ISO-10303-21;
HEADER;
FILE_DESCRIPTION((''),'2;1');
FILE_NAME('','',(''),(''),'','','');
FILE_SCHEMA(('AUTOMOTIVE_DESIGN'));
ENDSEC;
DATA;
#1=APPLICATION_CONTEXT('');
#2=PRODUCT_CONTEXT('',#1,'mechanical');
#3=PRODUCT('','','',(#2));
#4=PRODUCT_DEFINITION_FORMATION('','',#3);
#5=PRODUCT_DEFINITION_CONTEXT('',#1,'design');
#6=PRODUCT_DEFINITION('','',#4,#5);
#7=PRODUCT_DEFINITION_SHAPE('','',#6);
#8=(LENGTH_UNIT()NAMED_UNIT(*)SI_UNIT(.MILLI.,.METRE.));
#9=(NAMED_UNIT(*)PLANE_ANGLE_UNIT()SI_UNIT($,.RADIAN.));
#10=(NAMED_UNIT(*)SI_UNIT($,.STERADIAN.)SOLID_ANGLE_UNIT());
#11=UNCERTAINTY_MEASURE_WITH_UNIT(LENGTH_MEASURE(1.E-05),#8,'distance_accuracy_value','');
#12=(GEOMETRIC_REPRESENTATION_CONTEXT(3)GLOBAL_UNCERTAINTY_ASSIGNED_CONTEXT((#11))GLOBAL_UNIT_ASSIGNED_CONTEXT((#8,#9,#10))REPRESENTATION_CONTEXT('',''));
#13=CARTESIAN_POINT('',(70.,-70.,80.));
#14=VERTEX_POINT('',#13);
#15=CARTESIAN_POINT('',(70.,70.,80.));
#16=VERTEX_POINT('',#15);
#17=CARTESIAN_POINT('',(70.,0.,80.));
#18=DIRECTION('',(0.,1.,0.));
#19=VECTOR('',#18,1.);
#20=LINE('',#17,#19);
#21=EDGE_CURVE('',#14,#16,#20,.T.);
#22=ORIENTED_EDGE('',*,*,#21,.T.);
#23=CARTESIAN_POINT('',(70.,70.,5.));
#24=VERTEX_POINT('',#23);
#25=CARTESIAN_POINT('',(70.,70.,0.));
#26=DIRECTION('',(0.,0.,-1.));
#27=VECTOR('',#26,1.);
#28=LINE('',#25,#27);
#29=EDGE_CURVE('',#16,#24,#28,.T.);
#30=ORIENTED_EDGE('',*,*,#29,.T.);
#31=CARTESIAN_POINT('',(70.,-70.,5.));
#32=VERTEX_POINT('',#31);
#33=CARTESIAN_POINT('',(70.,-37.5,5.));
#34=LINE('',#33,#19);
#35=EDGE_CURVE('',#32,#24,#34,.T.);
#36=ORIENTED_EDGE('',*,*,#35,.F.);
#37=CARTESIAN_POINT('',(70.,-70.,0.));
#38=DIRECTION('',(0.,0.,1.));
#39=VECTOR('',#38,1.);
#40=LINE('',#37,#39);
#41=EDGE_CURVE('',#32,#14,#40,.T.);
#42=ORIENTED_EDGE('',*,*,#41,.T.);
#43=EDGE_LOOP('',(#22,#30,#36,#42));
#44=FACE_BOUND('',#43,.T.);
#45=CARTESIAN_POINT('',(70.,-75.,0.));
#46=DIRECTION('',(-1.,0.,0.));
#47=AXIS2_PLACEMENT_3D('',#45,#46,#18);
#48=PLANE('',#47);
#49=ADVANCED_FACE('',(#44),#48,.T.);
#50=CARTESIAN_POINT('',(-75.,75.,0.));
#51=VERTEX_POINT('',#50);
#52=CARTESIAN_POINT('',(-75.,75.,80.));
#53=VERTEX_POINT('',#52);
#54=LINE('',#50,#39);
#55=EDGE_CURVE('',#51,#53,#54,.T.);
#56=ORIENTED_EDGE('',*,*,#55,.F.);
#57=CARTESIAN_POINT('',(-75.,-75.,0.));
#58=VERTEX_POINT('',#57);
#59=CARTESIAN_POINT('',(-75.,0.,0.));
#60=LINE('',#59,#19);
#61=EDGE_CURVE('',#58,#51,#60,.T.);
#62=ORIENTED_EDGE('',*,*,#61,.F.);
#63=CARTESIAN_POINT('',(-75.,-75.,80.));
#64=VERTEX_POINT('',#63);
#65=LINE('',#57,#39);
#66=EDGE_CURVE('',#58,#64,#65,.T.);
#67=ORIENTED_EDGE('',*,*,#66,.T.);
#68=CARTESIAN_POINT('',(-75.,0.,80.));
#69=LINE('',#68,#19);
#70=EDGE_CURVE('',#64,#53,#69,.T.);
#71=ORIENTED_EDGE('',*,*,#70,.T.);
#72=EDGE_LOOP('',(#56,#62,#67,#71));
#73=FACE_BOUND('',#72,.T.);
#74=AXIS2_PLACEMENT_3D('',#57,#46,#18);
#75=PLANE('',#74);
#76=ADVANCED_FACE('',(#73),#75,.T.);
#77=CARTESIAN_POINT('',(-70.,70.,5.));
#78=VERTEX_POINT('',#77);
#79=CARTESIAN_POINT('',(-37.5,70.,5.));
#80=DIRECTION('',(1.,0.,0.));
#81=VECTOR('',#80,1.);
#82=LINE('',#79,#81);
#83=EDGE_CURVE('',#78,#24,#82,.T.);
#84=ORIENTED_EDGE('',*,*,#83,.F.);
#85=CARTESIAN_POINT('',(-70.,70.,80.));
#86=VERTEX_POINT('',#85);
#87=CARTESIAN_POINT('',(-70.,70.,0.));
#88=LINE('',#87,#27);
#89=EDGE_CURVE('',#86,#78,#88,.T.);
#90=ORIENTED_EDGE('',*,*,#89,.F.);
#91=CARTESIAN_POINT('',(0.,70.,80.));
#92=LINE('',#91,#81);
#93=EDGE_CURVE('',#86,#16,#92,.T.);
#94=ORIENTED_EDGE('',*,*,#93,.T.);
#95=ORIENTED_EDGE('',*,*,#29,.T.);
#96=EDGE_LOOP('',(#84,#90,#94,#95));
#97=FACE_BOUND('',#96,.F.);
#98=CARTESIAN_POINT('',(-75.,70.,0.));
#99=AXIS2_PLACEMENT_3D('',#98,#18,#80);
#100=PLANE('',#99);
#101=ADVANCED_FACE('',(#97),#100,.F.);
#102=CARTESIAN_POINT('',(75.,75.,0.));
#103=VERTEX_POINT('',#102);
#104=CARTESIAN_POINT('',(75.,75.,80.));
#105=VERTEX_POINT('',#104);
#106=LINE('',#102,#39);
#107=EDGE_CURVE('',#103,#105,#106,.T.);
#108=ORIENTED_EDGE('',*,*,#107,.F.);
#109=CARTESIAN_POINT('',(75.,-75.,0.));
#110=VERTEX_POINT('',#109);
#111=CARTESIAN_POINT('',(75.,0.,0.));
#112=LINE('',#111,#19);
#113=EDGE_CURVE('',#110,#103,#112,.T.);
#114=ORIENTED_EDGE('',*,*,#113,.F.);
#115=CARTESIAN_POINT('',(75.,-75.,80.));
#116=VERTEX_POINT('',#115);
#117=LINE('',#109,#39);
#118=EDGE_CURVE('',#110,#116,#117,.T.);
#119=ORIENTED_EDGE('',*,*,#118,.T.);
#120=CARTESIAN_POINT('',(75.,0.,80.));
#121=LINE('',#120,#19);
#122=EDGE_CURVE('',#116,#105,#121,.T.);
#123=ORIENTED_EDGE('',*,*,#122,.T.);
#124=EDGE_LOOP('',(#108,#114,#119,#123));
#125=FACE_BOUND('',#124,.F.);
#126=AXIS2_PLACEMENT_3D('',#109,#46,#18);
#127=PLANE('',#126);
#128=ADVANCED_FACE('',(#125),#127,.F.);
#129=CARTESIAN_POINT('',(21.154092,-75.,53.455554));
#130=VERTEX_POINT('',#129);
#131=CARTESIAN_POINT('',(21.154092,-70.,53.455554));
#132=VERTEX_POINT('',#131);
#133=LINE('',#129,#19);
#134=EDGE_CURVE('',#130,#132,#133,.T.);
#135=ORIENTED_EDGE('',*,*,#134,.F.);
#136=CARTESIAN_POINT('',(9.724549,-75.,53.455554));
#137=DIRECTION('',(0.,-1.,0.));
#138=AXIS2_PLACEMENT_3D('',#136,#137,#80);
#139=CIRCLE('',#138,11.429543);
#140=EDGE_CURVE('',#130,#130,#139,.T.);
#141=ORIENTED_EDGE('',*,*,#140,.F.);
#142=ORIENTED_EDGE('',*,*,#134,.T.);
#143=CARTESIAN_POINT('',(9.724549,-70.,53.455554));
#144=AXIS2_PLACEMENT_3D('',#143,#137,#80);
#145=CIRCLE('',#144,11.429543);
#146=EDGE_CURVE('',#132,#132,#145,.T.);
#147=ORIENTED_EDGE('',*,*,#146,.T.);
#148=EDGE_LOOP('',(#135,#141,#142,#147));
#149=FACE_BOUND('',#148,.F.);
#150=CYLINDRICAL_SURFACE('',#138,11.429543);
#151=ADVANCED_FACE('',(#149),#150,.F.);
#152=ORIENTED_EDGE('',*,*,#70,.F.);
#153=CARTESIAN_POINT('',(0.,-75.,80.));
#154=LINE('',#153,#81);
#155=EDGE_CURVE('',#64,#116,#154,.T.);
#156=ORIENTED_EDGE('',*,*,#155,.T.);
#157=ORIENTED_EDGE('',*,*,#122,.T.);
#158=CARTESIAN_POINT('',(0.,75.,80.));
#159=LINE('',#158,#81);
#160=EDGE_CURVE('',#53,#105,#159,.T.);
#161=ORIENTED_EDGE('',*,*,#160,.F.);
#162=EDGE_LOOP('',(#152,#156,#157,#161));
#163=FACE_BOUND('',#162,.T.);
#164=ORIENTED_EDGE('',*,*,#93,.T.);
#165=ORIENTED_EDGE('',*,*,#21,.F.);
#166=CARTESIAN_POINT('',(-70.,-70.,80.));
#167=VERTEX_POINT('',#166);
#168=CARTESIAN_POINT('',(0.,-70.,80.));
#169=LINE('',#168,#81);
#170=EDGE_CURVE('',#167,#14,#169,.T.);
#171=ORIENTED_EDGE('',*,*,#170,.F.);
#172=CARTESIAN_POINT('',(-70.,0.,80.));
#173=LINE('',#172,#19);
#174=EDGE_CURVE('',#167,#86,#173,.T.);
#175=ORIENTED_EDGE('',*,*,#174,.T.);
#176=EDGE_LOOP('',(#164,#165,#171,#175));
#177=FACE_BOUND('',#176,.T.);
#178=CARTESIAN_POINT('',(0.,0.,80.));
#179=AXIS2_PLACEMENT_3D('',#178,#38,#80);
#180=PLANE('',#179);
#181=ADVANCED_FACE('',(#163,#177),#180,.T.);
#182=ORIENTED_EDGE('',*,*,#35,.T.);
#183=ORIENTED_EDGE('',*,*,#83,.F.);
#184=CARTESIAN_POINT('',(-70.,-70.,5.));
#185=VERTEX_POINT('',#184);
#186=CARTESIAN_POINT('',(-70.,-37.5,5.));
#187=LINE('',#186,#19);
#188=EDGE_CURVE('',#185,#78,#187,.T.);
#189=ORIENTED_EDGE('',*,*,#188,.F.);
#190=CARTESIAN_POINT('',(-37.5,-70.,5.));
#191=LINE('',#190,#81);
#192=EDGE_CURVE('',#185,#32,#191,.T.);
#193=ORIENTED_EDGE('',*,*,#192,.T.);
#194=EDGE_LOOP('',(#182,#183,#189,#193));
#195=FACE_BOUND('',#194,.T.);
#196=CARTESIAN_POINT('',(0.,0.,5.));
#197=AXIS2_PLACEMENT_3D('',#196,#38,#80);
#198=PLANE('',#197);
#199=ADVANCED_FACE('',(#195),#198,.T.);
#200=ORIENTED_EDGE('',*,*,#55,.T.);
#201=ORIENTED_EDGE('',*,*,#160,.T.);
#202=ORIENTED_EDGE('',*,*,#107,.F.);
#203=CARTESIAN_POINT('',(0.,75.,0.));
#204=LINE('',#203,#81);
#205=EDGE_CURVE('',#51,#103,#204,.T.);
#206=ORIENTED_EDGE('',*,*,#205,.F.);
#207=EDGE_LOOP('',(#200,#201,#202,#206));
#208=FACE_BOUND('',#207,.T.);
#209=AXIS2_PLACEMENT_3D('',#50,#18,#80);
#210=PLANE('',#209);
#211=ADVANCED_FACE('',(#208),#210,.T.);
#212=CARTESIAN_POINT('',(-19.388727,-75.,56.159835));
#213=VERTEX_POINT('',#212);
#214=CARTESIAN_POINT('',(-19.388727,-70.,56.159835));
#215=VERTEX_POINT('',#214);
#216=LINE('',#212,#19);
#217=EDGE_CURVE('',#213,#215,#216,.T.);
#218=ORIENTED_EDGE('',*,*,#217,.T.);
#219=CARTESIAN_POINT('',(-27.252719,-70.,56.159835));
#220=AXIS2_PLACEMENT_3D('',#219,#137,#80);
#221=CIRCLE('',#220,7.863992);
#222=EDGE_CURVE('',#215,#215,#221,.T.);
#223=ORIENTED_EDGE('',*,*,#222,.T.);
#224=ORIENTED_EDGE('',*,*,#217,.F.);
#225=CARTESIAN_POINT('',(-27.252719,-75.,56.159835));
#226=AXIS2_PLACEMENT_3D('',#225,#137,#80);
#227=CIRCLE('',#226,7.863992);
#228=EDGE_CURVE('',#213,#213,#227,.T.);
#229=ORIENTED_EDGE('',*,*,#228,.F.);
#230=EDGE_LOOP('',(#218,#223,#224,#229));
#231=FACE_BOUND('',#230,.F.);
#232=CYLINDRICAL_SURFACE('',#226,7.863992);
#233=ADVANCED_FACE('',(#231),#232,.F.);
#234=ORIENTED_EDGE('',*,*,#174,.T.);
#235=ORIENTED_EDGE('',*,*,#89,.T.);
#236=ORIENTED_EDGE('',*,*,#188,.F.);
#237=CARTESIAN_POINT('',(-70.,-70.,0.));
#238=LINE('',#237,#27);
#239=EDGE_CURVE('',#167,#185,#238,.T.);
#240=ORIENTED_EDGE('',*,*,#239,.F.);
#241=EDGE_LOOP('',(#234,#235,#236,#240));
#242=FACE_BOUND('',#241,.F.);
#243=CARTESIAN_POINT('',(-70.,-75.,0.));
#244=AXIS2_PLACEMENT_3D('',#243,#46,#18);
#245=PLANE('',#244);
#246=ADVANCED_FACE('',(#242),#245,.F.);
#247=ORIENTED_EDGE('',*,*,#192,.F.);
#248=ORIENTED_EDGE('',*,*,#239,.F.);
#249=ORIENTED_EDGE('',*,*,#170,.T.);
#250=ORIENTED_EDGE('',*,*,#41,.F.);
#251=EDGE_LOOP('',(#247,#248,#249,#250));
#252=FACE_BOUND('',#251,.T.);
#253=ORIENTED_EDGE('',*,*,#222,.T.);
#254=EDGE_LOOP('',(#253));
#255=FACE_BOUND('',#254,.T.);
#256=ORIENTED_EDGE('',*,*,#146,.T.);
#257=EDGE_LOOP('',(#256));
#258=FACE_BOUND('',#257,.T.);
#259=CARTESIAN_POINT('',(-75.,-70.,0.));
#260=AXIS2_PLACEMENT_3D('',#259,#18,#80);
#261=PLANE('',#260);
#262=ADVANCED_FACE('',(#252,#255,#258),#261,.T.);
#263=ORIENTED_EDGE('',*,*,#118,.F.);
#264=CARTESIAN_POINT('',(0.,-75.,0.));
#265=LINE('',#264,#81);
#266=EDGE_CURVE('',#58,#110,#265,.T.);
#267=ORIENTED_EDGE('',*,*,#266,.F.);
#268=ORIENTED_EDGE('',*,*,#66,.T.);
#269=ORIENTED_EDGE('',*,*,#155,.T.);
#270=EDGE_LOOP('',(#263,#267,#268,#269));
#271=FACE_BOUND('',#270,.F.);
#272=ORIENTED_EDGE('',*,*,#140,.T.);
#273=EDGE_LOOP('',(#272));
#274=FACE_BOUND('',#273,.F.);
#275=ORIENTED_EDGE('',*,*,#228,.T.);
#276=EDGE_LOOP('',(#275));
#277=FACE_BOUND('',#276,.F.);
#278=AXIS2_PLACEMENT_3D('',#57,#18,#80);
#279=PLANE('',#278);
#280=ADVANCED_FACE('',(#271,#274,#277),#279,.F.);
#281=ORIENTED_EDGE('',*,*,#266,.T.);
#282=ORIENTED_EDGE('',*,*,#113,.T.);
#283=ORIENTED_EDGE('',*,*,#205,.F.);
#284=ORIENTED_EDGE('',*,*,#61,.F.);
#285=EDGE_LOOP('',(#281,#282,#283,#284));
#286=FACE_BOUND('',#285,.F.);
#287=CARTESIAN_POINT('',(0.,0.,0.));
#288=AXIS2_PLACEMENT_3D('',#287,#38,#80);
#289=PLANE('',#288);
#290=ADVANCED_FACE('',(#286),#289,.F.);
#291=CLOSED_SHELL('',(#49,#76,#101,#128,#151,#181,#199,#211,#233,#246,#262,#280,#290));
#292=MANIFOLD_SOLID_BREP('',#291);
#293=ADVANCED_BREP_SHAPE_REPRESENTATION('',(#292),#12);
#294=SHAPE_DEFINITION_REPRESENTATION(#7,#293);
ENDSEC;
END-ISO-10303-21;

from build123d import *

# Parameters (mm, degrees)
F0_W     = 150
F0_H     = 150
F1_DEPTH = 80
F2_T     = -5
F3_R     = 7.863992
F3_R_2   = 11.429543
F4_DEPTH = 25


with BuildPart() as f1:
    # F0 (on Top) → F1 (new body)
    with BuildSketch(Plane.XY):
        Rectangle(F0_W, F0_H)
    extrude(amount=F1_DEPTH)

    # F2
    f2_openings = [f1.faces().sort_by_distance(p)[0] for p in [
        (0, 0, 80),
    ]]
    offset(amount=F2_T, openings=f2_openings)

    # F3 (on face) → F4 (cut)
    with BuildSketch(Plane.XZ.offset(75)):
        with Locations((-27.252719, 56.159835)):
            Circle(F3_R)
        with Locations((9.724549, 53.455554)):
            Circle(F3_R_2)
    extrude(amount=-F4_DEPTH, mode=Mode.SUBTRACT)


solid = f1.part
